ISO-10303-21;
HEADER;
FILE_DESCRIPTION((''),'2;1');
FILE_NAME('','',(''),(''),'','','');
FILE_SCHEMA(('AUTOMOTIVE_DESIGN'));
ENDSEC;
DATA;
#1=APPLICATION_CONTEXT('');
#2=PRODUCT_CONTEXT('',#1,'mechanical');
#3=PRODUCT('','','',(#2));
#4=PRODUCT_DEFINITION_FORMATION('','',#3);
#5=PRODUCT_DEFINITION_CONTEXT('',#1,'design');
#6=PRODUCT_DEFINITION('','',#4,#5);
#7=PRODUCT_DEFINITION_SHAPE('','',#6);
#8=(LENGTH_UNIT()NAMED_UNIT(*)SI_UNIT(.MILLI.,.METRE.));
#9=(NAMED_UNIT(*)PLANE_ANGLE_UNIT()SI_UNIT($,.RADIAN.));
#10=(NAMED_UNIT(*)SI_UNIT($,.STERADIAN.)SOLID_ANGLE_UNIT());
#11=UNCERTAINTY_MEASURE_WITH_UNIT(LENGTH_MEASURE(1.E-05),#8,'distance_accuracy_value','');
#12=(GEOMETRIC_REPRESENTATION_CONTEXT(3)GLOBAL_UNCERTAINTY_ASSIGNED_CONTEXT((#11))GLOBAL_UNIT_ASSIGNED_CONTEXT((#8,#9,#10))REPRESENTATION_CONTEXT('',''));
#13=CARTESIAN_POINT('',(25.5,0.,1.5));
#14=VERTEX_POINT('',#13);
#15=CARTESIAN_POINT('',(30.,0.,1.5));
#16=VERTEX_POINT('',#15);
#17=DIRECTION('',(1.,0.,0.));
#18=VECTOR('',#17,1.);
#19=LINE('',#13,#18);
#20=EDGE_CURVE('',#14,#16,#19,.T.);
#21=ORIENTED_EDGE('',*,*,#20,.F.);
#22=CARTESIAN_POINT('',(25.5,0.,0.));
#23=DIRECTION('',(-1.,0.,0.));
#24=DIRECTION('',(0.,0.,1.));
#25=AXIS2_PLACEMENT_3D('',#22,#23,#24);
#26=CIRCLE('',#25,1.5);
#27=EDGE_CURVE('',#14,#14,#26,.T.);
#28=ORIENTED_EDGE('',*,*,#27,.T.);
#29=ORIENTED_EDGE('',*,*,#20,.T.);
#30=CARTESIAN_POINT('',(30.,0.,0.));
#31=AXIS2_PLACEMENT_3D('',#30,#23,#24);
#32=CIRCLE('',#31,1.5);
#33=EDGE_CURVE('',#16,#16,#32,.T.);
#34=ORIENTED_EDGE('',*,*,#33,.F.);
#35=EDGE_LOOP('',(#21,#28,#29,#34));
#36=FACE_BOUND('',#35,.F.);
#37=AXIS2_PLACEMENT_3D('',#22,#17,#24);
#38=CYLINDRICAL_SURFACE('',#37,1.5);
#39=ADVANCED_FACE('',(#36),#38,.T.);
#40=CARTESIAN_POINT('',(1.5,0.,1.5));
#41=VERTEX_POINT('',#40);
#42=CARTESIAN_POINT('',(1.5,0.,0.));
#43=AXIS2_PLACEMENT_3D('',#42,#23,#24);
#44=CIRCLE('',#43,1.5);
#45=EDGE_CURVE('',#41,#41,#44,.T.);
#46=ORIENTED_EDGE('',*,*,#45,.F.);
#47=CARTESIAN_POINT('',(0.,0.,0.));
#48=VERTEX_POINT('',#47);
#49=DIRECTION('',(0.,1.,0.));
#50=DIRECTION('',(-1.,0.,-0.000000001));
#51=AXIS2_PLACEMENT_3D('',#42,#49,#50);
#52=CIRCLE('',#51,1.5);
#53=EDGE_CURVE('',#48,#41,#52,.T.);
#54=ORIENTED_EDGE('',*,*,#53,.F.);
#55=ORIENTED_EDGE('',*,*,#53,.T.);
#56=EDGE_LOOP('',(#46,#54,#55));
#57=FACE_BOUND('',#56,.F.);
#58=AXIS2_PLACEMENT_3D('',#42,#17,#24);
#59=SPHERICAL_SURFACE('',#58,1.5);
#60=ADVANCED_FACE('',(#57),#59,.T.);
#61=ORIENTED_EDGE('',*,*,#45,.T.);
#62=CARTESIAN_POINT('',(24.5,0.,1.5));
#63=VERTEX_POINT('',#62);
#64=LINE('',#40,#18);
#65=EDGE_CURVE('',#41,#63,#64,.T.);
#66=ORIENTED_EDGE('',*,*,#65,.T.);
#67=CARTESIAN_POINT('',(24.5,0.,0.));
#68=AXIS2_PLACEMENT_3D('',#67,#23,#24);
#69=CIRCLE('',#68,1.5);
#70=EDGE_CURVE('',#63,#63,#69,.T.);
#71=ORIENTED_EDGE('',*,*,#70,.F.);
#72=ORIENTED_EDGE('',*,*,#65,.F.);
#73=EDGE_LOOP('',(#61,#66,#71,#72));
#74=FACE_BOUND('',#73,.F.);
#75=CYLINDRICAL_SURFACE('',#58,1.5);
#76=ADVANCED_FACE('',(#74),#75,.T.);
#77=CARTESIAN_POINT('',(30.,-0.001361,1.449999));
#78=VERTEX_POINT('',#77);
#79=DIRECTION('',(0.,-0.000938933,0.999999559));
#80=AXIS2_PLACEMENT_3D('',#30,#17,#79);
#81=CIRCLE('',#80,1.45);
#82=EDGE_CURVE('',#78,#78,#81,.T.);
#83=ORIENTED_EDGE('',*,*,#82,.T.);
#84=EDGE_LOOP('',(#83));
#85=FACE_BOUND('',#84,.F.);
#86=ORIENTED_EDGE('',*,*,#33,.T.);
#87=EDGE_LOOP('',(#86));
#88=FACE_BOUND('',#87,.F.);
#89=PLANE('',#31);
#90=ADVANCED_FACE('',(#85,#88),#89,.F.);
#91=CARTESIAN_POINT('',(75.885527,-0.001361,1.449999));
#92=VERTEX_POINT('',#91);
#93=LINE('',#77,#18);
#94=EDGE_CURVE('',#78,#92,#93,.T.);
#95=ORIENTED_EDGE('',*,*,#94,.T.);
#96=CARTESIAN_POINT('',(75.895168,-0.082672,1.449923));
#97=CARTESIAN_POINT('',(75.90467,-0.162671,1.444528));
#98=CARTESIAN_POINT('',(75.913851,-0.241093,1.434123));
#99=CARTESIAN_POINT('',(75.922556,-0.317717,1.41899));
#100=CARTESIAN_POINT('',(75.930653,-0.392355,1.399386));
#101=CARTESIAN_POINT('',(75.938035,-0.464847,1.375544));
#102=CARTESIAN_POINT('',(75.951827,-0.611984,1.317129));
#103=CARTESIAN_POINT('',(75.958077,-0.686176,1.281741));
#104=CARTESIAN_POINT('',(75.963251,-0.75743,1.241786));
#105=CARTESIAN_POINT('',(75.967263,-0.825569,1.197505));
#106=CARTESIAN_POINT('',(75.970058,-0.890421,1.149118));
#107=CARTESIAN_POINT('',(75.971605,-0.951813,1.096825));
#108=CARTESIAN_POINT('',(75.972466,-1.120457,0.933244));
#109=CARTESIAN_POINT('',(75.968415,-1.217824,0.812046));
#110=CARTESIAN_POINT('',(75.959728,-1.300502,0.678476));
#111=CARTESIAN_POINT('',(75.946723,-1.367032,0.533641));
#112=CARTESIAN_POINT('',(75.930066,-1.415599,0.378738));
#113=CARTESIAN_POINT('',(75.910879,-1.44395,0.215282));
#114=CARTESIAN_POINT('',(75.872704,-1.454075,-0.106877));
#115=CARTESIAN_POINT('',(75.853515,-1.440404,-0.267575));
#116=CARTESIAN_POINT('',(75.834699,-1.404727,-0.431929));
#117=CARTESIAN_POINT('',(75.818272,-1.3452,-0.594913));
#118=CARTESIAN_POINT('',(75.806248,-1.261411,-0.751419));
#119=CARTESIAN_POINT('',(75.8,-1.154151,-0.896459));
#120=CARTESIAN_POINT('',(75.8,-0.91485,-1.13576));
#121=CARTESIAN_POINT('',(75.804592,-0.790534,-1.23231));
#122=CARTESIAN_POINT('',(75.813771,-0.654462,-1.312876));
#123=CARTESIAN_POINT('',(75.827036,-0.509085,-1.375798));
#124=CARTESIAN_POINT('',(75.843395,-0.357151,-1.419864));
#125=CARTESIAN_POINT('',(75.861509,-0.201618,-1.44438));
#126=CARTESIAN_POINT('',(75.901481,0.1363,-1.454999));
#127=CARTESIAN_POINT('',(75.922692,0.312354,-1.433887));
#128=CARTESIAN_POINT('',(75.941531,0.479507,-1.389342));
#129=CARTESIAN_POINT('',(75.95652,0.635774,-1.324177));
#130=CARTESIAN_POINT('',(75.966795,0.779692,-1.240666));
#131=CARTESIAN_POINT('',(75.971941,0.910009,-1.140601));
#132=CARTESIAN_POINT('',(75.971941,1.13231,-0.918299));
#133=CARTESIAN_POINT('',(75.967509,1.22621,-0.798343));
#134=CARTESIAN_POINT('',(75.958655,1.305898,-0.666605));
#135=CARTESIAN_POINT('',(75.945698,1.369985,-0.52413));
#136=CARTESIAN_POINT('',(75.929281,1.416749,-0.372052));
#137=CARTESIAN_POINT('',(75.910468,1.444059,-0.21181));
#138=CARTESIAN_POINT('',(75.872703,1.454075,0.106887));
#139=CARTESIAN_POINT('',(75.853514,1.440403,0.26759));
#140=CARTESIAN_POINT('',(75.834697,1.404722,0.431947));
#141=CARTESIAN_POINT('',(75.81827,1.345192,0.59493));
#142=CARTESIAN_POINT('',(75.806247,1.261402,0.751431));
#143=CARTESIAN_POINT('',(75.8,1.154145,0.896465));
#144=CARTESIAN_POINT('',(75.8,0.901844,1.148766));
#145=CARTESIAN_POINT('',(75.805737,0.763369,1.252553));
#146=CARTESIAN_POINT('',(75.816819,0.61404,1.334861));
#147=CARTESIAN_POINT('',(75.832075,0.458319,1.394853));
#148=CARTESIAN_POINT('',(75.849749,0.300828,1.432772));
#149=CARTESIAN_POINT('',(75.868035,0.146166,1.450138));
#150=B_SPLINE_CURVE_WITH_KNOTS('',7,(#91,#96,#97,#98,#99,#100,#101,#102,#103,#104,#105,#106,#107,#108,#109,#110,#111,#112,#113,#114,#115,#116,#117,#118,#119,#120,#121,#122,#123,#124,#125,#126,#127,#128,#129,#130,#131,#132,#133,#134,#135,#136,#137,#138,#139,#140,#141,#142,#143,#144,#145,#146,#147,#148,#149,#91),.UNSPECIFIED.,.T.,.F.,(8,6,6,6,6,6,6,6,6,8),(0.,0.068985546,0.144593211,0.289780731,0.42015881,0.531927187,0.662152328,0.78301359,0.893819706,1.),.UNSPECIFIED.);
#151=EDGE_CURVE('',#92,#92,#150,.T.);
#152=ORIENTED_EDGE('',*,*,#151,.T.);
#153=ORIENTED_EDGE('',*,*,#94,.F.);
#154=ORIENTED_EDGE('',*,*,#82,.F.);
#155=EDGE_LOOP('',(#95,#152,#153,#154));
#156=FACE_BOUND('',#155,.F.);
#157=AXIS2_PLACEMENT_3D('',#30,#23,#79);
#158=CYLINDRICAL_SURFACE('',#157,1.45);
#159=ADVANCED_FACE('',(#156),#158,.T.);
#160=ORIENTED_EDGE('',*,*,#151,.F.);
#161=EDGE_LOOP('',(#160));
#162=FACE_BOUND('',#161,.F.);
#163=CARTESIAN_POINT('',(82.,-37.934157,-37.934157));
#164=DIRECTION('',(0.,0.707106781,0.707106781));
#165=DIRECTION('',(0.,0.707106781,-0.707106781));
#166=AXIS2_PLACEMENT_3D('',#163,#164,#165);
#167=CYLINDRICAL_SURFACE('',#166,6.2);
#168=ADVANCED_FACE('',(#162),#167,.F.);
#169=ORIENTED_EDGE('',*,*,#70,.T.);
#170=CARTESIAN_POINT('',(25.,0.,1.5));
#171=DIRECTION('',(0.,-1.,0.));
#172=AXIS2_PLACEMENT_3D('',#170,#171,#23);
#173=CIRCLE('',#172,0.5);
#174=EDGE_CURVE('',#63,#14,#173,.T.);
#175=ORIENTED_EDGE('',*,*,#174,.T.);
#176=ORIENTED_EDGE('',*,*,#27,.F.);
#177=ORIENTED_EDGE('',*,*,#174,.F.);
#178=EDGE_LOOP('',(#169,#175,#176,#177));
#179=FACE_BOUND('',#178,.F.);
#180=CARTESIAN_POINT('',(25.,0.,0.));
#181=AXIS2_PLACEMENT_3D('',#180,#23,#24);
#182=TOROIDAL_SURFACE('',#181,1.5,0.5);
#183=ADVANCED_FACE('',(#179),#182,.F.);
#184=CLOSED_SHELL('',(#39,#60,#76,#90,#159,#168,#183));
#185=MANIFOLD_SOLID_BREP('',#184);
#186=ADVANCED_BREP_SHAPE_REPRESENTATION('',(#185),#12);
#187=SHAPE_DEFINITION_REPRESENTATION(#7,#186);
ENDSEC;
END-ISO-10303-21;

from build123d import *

# Parameters (mm, degrees)
BOSS_EXTRUDE1_REACH      = 46.947
BOSS_EXTRUDE1_END_RADIUS = 6.2
SKETCH2_R                = 1.45


with BuildPart() as part:
    # Sketch1 → Revolve1 (revolve)
    with BuildSketch(Plane(origin=(0, 0, 0), x_dir=(-1, 0, 0), z_dir=(0, 0, -1)), mode=Mode.PRIVATE) as revolve1_sk:
        with BuildLine():
            Line((-30, 1.5), (-30, 0))
            Line((-30, 0), (0, 0))
            ThreePointArc((0, 0), (-0.439339828, 1.060660172), (-1.5, 1.5))
            Line((-1.5, 1.5), (-24.5, 1.5))
            ThreePointArc((-24.5, 1.5), (-25, 1), (-25.5, 1.5))
            Line((-25.5, 1.5), (-30, 1.5))
        make_face()
    revolve(revolve1_sk.sketch.rotate(Axis((30, 0, 0), (-1, 0, 0)), 270), axis=Axis((30, 0, 0), (-1, 0, 0)))

    # Boss-Extrude1: up to this cylinder (the profile starts outside it)
    boss_extrude1_end = Plane(origin=(82, 0, 0), z_dir=(0, 0.7071067811865475, 0.7071067811865476)) * Cylinder(BOSS_EXTRUDE1_END_RADIUS, 107.294, mode=Mode.PRIVATE)
    # Sketch2 → Boss-Extrude1 (add, up to the surface)
    with BuildSketch(Plane(origin=(30, 0, 0), x_dir=(0, 0, -1), z_dir=(1, 0, 0)), mode=Mode.PRIVATE) as boss_extrude1_sk1:
        with Locations(Location((0, 0, 0), (0, 0, 180.053796912))):
            Circle(SKETCH2_R)
    boss_extrude1_tool1 = extrude(boss_extrude1_sk1.sketch, amount=BOSS_EXTRUDE1_REACH, mode=Mode.PRIVATE) - boss_extrude1_end
    add(boss_extrude1_tool1.solids().sort_by_distance((30, 0, 0))[0])


solid = part.part
